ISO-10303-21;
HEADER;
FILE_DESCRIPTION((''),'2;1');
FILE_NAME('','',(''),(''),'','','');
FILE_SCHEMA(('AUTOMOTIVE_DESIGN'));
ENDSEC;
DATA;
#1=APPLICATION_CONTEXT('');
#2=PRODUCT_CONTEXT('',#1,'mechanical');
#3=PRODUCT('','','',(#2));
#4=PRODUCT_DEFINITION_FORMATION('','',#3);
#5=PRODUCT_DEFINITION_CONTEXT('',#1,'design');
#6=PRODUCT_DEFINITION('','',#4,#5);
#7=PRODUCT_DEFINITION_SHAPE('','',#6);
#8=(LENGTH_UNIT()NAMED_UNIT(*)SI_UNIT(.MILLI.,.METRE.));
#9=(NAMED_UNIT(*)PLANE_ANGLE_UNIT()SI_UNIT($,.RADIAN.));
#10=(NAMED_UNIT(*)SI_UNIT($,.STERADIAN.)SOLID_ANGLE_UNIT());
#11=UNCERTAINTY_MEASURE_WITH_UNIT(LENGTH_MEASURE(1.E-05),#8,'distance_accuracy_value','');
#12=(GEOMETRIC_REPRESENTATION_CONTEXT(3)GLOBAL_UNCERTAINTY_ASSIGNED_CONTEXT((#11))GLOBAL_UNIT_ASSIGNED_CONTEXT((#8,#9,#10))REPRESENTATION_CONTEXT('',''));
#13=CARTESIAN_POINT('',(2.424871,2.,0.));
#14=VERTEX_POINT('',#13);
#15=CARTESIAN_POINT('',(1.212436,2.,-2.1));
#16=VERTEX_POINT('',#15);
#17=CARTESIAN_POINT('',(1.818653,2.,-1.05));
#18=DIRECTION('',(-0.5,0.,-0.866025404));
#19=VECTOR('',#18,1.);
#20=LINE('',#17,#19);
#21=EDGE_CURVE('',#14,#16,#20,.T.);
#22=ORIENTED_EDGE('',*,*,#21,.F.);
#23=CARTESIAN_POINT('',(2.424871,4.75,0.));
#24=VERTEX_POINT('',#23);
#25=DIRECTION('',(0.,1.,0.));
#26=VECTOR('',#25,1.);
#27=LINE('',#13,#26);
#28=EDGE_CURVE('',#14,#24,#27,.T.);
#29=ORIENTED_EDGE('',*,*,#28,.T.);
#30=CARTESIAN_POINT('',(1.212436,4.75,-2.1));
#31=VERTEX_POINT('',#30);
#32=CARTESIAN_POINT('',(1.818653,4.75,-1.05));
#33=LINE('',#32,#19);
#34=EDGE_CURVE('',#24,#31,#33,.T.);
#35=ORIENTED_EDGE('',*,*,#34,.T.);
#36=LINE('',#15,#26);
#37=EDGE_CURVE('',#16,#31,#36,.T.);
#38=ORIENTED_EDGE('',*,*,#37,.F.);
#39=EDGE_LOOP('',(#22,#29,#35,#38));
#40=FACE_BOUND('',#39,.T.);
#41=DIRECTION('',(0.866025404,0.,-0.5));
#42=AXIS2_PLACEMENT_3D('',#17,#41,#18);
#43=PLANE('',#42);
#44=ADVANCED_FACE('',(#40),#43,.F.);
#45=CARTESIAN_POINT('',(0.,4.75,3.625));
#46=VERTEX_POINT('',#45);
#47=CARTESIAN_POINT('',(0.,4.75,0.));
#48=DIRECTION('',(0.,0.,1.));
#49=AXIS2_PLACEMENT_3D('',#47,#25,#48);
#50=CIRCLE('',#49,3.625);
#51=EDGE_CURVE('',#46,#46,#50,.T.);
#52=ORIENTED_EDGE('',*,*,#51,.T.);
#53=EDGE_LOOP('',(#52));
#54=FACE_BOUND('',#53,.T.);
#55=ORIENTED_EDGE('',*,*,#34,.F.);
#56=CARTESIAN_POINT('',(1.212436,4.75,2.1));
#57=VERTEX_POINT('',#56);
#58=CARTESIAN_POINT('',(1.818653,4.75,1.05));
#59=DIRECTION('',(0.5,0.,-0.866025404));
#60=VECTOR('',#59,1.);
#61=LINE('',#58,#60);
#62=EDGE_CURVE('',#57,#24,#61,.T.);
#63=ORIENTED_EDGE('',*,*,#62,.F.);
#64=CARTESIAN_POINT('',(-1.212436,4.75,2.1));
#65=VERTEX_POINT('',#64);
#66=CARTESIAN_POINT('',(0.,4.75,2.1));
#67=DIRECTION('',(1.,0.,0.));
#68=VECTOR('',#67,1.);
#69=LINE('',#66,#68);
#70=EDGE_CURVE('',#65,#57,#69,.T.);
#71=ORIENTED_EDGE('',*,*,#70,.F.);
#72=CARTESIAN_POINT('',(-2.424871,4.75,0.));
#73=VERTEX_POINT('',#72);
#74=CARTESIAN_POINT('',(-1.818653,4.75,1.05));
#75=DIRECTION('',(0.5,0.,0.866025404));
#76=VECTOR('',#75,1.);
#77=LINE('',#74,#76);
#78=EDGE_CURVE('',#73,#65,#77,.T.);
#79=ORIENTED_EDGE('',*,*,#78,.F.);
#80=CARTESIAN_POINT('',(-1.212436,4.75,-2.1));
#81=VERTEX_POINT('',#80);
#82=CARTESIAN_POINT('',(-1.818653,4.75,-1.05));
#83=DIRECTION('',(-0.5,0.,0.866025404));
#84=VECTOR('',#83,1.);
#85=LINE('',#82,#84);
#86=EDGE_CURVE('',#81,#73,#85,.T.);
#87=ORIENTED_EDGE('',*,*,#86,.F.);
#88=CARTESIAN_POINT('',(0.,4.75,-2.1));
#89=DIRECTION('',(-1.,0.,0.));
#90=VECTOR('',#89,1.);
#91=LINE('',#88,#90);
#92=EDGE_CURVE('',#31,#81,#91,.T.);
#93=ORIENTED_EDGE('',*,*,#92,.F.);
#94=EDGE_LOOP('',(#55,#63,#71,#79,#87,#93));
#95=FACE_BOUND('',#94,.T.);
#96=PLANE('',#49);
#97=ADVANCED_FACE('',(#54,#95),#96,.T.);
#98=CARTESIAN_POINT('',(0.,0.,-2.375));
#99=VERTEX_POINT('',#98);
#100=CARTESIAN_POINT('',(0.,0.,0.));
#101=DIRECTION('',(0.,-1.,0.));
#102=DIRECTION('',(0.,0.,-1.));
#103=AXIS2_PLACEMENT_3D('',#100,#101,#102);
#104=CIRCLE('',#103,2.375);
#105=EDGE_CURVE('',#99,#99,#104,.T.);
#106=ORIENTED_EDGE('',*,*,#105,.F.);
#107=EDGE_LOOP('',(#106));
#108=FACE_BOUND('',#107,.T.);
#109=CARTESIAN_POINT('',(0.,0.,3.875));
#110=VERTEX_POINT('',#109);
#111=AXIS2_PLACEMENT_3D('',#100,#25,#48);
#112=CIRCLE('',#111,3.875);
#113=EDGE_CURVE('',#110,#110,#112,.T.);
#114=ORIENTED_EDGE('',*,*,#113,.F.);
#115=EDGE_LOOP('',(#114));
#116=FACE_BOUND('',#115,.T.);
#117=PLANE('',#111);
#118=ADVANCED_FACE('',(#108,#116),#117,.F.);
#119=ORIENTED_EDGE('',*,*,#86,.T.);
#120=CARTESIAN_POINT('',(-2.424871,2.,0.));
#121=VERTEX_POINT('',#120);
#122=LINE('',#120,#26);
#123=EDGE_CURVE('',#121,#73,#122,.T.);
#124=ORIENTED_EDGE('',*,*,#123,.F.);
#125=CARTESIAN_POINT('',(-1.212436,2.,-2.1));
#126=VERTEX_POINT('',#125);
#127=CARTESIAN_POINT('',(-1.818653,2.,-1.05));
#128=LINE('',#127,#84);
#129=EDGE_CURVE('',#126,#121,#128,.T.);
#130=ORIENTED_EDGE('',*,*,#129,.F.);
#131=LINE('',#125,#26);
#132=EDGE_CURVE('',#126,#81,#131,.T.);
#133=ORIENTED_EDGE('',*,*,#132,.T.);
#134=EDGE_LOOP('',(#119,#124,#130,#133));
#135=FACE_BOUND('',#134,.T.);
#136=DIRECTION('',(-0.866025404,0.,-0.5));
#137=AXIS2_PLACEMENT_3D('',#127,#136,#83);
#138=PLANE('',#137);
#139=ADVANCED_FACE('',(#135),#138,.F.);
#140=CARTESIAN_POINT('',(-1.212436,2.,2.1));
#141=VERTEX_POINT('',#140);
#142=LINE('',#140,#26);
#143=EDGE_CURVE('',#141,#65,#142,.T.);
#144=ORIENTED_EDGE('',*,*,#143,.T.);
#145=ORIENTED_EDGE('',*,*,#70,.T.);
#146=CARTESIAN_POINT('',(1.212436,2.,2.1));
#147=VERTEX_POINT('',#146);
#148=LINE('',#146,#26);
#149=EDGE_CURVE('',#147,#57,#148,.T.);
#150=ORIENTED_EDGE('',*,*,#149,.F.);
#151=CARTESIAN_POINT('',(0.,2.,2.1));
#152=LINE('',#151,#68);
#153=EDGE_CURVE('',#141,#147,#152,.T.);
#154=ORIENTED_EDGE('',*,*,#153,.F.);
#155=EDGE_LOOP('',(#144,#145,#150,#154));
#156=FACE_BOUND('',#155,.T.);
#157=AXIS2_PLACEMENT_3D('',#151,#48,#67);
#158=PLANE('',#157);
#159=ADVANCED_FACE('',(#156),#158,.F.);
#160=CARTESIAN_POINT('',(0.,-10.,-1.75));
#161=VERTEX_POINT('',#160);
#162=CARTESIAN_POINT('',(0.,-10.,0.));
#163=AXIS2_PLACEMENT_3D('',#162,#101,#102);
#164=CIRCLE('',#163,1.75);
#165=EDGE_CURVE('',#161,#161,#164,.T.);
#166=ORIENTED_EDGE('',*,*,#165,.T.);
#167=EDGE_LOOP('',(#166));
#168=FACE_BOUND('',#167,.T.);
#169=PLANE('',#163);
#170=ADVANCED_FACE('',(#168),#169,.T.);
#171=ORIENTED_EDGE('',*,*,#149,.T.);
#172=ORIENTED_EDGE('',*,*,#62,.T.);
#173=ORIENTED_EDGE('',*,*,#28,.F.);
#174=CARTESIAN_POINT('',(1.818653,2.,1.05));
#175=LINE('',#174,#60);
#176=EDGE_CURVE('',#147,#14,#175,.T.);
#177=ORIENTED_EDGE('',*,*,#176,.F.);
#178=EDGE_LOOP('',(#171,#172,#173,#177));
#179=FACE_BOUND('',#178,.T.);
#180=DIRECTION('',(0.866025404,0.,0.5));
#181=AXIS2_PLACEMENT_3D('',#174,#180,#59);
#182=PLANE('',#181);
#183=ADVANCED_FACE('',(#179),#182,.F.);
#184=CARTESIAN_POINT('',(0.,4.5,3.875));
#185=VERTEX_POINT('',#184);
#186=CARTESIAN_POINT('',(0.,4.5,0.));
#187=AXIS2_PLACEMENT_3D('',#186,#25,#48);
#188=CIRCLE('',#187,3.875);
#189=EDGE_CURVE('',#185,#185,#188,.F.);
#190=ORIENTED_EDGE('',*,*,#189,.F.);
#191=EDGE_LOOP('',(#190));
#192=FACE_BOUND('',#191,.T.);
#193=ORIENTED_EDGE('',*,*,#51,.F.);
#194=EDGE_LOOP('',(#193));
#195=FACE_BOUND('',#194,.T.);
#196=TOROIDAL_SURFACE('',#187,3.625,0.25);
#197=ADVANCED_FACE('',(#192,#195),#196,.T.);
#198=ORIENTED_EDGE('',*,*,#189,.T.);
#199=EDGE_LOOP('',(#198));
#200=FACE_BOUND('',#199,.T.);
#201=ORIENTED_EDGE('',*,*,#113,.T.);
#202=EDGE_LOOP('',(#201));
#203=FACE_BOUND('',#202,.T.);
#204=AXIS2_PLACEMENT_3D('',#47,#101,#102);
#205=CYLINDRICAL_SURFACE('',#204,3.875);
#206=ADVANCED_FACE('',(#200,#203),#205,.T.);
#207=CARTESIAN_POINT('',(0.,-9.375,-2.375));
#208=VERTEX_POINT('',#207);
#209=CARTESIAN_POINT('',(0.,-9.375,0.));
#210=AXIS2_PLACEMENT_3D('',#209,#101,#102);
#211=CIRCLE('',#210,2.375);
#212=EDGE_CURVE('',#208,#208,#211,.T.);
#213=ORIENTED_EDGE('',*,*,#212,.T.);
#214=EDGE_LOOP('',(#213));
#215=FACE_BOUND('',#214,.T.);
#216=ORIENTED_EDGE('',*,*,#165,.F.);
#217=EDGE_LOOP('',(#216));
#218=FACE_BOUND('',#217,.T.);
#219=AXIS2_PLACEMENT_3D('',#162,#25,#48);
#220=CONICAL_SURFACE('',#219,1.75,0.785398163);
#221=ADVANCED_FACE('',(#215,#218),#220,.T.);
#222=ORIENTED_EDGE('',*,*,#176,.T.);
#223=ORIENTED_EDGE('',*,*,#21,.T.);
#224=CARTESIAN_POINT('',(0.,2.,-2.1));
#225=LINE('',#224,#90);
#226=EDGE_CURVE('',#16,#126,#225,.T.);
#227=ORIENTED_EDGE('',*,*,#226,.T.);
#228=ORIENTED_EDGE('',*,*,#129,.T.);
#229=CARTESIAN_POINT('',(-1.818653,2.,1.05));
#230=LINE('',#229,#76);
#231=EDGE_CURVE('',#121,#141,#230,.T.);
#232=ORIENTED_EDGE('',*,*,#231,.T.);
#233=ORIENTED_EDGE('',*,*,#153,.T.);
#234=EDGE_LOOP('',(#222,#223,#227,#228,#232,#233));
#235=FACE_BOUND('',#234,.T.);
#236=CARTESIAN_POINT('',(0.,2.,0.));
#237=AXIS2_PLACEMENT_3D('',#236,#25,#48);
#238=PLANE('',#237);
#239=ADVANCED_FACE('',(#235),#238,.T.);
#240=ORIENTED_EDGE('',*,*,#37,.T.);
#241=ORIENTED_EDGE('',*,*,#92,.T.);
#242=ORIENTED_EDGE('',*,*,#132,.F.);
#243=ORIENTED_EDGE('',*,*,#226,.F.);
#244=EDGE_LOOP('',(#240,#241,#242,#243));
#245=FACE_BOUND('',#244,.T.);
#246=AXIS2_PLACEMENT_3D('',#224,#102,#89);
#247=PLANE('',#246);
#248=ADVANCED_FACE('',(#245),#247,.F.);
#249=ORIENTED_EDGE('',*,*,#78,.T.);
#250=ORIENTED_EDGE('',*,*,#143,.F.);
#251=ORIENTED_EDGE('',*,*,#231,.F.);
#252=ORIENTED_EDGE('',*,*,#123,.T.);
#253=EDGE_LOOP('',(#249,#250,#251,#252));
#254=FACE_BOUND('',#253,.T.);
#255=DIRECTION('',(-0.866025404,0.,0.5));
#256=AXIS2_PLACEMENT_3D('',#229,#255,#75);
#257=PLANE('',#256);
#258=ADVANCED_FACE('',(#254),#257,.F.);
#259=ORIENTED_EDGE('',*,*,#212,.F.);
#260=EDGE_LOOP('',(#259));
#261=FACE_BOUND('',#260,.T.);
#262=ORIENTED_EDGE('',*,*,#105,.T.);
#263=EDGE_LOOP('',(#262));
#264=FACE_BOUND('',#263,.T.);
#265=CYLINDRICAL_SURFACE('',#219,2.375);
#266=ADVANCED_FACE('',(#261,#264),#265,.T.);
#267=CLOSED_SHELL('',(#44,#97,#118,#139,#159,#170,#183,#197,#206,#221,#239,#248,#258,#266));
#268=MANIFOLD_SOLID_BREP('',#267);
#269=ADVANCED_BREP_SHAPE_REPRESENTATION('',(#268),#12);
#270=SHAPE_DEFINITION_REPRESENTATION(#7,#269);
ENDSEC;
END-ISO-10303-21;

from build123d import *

# Parameters (mm, degrees)
SKETCH1_R           = 3.875
BOSS_EXTRUDE1_DEPTH = 4.75
FILLET1_R           = 0.25
CUT_EXTRUDE1_DEPTH  = 2.75
SKETCH3_R           = 2.375
BOSS_EXTRUDE2_DEPTH = 10


with BuildPart() as part:
    # Sketch1 → Boss-Extrude1 (new body)
    with BuildSketch(Plane(origin=(0, 0, 0), x_dir=(1, 0, 0), z_dir=(0, 1, 0))):
        Circle(SKETCH1_R)
    extrude(amount=BOSS_EXTRUDE1_DEPTH)

    # Fillet1
    fillet1_edges = [part.edges().sort_by_distance(p)[0] for p in [
        (-3.875, 4.75, 0),
    ]]
    fillet(fillet1_edges, radius=FILLET1_R)

    # Sketch2 → Cut-Extrude1 (cut)
    with BuildSketch(Plane(origin=(0, 4.75, 0), x_dir=(1, 0, 0), z_dir=(0, 1, 0))):
        Polygon((-2.424871131, 0), (-1.212435565, -2.1), (1.212435565, -2.1), (2.424871131, 0), (1.212435565, 2.1), (-1.212435565, 2.1), align=None)
    extrude(amount=-CUT_EXTRUDE1_DEPTH, mode=Mode.SUBTRACT)

    # Sketch3 → Boss-Extrude2 (add)
    with BuildSketch(Plane.XZ):
        Circle(SKETCH3_R)
    extrude(amount=BOSS_EXTRUDE2_DEPTH)

    # Sketch4 → Cut-Revolve1 (revolve, cut)
    with BuildSketch(Plane(origin=(0, 0, 0), x_dir=(0, 0, -1), z_dir=(1, 0, 0))):
        Polygon((-2.375, -10), (-2.375, -9.375), (-1.75, -10), align=None)
    revolve(axis=Axis((0, -10, 0), (0, 1, 0)), mode=Mode.SUBTRACT)


solid = part.part
